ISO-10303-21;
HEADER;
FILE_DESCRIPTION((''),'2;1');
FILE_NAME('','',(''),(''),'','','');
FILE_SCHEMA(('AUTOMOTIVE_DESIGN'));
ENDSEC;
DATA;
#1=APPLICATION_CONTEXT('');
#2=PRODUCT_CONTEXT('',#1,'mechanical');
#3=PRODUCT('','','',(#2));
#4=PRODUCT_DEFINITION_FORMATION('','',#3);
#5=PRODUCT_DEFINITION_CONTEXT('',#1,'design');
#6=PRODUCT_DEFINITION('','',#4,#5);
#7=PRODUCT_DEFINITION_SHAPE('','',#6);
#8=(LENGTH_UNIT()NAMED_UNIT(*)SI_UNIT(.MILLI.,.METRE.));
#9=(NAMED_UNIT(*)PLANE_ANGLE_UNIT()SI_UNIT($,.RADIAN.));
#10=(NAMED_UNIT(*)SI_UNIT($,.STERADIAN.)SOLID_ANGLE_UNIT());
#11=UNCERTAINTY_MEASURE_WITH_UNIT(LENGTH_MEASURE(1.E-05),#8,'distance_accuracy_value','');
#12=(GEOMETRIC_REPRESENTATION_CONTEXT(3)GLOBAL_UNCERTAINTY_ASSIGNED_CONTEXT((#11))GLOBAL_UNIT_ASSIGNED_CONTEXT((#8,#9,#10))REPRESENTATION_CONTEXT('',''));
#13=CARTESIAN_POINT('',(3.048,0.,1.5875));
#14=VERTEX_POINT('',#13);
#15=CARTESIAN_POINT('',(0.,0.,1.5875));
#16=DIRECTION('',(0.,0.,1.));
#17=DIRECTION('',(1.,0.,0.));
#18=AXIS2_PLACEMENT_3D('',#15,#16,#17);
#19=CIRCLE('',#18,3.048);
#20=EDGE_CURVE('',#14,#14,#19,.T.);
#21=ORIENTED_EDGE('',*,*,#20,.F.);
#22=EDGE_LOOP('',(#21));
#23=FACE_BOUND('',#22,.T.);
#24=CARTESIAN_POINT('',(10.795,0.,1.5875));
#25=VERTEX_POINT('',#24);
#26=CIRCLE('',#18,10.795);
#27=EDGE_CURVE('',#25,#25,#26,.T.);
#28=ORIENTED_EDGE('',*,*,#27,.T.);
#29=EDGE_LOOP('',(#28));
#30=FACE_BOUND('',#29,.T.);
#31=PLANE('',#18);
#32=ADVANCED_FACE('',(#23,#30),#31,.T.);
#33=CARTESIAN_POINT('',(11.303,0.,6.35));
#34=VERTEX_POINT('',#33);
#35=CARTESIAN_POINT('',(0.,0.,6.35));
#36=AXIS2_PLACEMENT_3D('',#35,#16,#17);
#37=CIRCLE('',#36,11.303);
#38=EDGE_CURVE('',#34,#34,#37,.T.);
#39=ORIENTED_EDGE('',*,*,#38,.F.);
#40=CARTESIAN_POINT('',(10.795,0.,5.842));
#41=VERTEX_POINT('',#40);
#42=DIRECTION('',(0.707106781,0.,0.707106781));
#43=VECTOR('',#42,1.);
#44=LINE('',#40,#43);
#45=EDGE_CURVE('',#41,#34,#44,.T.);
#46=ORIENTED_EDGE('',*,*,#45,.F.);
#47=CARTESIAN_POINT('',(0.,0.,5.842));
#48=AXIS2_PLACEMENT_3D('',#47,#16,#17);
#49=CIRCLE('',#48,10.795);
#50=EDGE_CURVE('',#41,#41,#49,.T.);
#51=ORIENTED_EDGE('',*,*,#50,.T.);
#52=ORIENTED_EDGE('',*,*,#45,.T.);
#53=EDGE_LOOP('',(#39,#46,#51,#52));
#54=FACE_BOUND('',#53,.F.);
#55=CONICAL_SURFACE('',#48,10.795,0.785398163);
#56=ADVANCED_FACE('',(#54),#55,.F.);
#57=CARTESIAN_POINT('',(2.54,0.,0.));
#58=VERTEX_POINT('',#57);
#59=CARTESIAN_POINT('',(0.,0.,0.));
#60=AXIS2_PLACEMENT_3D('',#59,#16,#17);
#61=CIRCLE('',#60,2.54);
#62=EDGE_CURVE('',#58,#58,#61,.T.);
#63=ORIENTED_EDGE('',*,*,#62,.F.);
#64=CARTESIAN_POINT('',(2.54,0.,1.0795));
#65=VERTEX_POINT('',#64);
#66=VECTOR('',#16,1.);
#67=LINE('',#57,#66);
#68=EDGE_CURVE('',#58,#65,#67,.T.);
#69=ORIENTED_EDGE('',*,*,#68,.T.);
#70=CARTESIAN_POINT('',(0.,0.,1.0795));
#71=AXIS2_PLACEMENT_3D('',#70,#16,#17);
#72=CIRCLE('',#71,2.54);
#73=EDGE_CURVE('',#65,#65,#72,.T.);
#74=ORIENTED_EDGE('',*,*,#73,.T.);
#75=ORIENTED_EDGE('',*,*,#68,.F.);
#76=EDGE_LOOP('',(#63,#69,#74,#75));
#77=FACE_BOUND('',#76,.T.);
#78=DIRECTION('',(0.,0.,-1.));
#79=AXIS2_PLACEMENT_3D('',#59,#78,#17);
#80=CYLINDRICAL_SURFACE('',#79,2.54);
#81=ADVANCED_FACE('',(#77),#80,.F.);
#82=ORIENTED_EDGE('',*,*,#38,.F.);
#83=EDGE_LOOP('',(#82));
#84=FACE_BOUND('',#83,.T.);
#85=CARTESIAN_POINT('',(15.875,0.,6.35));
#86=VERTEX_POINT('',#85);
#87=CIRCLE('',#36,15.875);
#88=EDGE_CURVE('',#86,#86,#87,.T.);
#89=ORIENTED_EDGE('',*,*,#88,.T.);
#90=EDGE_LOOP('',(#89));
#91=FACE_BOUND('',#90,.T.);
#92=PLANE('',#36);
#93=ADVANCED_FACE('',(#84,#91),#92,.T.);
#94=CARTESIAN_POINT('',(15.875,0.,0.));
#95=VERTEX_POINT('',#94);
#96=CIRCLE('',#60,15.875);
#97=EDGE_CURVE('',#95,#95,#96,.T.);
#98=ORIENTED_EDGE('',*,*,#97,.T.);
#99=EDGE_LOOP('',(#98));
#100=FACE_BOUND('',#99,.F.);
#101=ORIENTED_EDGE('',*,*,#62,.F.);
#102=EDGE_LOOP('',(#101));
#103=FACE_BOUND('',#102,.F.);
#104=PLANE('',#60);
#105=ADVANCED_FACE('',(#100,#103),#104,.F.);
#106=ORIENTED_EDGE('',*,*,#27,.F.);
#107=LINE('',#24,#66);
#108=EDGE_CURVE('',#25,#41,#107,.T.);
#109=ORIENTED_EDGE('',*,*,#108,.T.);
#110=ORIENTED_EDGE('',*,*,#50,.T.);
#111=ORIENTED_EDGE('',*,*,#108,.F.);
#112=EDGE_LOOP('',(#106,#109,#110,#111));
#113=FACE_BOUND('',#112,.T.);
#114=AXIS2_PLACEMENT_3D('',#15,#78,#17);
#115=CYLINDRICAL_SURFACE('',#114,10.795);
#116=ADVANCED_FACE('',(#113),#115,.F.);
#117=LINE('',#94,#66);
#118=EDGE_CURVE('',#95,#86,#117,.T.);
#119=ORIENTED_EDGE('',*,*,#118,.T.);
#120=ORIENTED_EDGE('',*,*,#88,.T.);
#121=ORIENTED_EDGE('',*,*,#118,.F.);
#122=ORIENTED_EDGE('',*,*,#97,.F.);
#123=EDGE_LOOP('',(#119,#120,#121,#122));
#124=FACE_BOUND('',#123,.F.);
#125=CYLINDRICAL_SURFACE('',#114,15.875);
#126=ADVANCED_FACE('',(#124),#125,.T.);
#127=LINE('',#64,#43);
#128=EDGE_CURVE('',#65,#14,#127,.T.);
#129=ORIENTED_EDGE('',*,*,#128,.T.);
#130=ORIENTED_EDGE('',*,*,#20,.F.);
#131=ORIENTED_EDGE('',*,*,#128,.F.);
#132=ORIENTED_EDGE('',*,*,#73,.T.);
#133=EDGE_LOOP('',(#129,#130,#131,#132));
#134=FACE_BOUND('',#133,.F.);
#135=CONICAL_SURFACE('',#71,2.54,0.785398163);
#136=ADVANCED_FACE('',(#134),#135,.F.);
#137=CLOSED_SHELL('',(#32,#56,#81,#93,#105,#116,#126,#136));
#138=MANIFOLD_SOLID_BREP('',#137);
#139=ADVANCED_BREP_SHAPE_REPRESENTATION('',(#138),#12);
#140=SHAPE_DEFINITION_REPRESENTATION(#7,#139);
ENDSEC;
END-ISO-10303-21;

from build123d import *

# Parameters (mm, degrees)
F0_R     = 15.875
F0_R_2   = 2.54
F1_DEPTH = 1.5875
F2_R     = 15.875
F2_R_2   = 10.795
F3_DEPTH = 4.7625
F4_SIZE  = 0.508


with BuildPart() as f1:
    # F0 (on Top) → F1 (new body)
    with BuildSketch(Plane.XY):
        Circle(F0_R)
        Circle(F0_R_2, mode=Mode.SUBTRACT)
    extrude(amount=F1_DEPTH)

    # F2 (on face) → F3 (join)
    with BuildSketch(Plane.XY.offset(1.5875)):
        Circle(F2_R)
        Circle(F2_R_2, mode=Mode.SUBTRACT)
    extrude(amount=F3_DEPTH)

    # F4
    f4_edges = [f1.edges().sort_by_distance(p)[0] for p in [
        (-10.795, 0, 6.35),
        (-2.54, 0, 1.5875),
    ]]
    chamfer(f4_edges, length=F4_SIZE)


solid = f1.part
